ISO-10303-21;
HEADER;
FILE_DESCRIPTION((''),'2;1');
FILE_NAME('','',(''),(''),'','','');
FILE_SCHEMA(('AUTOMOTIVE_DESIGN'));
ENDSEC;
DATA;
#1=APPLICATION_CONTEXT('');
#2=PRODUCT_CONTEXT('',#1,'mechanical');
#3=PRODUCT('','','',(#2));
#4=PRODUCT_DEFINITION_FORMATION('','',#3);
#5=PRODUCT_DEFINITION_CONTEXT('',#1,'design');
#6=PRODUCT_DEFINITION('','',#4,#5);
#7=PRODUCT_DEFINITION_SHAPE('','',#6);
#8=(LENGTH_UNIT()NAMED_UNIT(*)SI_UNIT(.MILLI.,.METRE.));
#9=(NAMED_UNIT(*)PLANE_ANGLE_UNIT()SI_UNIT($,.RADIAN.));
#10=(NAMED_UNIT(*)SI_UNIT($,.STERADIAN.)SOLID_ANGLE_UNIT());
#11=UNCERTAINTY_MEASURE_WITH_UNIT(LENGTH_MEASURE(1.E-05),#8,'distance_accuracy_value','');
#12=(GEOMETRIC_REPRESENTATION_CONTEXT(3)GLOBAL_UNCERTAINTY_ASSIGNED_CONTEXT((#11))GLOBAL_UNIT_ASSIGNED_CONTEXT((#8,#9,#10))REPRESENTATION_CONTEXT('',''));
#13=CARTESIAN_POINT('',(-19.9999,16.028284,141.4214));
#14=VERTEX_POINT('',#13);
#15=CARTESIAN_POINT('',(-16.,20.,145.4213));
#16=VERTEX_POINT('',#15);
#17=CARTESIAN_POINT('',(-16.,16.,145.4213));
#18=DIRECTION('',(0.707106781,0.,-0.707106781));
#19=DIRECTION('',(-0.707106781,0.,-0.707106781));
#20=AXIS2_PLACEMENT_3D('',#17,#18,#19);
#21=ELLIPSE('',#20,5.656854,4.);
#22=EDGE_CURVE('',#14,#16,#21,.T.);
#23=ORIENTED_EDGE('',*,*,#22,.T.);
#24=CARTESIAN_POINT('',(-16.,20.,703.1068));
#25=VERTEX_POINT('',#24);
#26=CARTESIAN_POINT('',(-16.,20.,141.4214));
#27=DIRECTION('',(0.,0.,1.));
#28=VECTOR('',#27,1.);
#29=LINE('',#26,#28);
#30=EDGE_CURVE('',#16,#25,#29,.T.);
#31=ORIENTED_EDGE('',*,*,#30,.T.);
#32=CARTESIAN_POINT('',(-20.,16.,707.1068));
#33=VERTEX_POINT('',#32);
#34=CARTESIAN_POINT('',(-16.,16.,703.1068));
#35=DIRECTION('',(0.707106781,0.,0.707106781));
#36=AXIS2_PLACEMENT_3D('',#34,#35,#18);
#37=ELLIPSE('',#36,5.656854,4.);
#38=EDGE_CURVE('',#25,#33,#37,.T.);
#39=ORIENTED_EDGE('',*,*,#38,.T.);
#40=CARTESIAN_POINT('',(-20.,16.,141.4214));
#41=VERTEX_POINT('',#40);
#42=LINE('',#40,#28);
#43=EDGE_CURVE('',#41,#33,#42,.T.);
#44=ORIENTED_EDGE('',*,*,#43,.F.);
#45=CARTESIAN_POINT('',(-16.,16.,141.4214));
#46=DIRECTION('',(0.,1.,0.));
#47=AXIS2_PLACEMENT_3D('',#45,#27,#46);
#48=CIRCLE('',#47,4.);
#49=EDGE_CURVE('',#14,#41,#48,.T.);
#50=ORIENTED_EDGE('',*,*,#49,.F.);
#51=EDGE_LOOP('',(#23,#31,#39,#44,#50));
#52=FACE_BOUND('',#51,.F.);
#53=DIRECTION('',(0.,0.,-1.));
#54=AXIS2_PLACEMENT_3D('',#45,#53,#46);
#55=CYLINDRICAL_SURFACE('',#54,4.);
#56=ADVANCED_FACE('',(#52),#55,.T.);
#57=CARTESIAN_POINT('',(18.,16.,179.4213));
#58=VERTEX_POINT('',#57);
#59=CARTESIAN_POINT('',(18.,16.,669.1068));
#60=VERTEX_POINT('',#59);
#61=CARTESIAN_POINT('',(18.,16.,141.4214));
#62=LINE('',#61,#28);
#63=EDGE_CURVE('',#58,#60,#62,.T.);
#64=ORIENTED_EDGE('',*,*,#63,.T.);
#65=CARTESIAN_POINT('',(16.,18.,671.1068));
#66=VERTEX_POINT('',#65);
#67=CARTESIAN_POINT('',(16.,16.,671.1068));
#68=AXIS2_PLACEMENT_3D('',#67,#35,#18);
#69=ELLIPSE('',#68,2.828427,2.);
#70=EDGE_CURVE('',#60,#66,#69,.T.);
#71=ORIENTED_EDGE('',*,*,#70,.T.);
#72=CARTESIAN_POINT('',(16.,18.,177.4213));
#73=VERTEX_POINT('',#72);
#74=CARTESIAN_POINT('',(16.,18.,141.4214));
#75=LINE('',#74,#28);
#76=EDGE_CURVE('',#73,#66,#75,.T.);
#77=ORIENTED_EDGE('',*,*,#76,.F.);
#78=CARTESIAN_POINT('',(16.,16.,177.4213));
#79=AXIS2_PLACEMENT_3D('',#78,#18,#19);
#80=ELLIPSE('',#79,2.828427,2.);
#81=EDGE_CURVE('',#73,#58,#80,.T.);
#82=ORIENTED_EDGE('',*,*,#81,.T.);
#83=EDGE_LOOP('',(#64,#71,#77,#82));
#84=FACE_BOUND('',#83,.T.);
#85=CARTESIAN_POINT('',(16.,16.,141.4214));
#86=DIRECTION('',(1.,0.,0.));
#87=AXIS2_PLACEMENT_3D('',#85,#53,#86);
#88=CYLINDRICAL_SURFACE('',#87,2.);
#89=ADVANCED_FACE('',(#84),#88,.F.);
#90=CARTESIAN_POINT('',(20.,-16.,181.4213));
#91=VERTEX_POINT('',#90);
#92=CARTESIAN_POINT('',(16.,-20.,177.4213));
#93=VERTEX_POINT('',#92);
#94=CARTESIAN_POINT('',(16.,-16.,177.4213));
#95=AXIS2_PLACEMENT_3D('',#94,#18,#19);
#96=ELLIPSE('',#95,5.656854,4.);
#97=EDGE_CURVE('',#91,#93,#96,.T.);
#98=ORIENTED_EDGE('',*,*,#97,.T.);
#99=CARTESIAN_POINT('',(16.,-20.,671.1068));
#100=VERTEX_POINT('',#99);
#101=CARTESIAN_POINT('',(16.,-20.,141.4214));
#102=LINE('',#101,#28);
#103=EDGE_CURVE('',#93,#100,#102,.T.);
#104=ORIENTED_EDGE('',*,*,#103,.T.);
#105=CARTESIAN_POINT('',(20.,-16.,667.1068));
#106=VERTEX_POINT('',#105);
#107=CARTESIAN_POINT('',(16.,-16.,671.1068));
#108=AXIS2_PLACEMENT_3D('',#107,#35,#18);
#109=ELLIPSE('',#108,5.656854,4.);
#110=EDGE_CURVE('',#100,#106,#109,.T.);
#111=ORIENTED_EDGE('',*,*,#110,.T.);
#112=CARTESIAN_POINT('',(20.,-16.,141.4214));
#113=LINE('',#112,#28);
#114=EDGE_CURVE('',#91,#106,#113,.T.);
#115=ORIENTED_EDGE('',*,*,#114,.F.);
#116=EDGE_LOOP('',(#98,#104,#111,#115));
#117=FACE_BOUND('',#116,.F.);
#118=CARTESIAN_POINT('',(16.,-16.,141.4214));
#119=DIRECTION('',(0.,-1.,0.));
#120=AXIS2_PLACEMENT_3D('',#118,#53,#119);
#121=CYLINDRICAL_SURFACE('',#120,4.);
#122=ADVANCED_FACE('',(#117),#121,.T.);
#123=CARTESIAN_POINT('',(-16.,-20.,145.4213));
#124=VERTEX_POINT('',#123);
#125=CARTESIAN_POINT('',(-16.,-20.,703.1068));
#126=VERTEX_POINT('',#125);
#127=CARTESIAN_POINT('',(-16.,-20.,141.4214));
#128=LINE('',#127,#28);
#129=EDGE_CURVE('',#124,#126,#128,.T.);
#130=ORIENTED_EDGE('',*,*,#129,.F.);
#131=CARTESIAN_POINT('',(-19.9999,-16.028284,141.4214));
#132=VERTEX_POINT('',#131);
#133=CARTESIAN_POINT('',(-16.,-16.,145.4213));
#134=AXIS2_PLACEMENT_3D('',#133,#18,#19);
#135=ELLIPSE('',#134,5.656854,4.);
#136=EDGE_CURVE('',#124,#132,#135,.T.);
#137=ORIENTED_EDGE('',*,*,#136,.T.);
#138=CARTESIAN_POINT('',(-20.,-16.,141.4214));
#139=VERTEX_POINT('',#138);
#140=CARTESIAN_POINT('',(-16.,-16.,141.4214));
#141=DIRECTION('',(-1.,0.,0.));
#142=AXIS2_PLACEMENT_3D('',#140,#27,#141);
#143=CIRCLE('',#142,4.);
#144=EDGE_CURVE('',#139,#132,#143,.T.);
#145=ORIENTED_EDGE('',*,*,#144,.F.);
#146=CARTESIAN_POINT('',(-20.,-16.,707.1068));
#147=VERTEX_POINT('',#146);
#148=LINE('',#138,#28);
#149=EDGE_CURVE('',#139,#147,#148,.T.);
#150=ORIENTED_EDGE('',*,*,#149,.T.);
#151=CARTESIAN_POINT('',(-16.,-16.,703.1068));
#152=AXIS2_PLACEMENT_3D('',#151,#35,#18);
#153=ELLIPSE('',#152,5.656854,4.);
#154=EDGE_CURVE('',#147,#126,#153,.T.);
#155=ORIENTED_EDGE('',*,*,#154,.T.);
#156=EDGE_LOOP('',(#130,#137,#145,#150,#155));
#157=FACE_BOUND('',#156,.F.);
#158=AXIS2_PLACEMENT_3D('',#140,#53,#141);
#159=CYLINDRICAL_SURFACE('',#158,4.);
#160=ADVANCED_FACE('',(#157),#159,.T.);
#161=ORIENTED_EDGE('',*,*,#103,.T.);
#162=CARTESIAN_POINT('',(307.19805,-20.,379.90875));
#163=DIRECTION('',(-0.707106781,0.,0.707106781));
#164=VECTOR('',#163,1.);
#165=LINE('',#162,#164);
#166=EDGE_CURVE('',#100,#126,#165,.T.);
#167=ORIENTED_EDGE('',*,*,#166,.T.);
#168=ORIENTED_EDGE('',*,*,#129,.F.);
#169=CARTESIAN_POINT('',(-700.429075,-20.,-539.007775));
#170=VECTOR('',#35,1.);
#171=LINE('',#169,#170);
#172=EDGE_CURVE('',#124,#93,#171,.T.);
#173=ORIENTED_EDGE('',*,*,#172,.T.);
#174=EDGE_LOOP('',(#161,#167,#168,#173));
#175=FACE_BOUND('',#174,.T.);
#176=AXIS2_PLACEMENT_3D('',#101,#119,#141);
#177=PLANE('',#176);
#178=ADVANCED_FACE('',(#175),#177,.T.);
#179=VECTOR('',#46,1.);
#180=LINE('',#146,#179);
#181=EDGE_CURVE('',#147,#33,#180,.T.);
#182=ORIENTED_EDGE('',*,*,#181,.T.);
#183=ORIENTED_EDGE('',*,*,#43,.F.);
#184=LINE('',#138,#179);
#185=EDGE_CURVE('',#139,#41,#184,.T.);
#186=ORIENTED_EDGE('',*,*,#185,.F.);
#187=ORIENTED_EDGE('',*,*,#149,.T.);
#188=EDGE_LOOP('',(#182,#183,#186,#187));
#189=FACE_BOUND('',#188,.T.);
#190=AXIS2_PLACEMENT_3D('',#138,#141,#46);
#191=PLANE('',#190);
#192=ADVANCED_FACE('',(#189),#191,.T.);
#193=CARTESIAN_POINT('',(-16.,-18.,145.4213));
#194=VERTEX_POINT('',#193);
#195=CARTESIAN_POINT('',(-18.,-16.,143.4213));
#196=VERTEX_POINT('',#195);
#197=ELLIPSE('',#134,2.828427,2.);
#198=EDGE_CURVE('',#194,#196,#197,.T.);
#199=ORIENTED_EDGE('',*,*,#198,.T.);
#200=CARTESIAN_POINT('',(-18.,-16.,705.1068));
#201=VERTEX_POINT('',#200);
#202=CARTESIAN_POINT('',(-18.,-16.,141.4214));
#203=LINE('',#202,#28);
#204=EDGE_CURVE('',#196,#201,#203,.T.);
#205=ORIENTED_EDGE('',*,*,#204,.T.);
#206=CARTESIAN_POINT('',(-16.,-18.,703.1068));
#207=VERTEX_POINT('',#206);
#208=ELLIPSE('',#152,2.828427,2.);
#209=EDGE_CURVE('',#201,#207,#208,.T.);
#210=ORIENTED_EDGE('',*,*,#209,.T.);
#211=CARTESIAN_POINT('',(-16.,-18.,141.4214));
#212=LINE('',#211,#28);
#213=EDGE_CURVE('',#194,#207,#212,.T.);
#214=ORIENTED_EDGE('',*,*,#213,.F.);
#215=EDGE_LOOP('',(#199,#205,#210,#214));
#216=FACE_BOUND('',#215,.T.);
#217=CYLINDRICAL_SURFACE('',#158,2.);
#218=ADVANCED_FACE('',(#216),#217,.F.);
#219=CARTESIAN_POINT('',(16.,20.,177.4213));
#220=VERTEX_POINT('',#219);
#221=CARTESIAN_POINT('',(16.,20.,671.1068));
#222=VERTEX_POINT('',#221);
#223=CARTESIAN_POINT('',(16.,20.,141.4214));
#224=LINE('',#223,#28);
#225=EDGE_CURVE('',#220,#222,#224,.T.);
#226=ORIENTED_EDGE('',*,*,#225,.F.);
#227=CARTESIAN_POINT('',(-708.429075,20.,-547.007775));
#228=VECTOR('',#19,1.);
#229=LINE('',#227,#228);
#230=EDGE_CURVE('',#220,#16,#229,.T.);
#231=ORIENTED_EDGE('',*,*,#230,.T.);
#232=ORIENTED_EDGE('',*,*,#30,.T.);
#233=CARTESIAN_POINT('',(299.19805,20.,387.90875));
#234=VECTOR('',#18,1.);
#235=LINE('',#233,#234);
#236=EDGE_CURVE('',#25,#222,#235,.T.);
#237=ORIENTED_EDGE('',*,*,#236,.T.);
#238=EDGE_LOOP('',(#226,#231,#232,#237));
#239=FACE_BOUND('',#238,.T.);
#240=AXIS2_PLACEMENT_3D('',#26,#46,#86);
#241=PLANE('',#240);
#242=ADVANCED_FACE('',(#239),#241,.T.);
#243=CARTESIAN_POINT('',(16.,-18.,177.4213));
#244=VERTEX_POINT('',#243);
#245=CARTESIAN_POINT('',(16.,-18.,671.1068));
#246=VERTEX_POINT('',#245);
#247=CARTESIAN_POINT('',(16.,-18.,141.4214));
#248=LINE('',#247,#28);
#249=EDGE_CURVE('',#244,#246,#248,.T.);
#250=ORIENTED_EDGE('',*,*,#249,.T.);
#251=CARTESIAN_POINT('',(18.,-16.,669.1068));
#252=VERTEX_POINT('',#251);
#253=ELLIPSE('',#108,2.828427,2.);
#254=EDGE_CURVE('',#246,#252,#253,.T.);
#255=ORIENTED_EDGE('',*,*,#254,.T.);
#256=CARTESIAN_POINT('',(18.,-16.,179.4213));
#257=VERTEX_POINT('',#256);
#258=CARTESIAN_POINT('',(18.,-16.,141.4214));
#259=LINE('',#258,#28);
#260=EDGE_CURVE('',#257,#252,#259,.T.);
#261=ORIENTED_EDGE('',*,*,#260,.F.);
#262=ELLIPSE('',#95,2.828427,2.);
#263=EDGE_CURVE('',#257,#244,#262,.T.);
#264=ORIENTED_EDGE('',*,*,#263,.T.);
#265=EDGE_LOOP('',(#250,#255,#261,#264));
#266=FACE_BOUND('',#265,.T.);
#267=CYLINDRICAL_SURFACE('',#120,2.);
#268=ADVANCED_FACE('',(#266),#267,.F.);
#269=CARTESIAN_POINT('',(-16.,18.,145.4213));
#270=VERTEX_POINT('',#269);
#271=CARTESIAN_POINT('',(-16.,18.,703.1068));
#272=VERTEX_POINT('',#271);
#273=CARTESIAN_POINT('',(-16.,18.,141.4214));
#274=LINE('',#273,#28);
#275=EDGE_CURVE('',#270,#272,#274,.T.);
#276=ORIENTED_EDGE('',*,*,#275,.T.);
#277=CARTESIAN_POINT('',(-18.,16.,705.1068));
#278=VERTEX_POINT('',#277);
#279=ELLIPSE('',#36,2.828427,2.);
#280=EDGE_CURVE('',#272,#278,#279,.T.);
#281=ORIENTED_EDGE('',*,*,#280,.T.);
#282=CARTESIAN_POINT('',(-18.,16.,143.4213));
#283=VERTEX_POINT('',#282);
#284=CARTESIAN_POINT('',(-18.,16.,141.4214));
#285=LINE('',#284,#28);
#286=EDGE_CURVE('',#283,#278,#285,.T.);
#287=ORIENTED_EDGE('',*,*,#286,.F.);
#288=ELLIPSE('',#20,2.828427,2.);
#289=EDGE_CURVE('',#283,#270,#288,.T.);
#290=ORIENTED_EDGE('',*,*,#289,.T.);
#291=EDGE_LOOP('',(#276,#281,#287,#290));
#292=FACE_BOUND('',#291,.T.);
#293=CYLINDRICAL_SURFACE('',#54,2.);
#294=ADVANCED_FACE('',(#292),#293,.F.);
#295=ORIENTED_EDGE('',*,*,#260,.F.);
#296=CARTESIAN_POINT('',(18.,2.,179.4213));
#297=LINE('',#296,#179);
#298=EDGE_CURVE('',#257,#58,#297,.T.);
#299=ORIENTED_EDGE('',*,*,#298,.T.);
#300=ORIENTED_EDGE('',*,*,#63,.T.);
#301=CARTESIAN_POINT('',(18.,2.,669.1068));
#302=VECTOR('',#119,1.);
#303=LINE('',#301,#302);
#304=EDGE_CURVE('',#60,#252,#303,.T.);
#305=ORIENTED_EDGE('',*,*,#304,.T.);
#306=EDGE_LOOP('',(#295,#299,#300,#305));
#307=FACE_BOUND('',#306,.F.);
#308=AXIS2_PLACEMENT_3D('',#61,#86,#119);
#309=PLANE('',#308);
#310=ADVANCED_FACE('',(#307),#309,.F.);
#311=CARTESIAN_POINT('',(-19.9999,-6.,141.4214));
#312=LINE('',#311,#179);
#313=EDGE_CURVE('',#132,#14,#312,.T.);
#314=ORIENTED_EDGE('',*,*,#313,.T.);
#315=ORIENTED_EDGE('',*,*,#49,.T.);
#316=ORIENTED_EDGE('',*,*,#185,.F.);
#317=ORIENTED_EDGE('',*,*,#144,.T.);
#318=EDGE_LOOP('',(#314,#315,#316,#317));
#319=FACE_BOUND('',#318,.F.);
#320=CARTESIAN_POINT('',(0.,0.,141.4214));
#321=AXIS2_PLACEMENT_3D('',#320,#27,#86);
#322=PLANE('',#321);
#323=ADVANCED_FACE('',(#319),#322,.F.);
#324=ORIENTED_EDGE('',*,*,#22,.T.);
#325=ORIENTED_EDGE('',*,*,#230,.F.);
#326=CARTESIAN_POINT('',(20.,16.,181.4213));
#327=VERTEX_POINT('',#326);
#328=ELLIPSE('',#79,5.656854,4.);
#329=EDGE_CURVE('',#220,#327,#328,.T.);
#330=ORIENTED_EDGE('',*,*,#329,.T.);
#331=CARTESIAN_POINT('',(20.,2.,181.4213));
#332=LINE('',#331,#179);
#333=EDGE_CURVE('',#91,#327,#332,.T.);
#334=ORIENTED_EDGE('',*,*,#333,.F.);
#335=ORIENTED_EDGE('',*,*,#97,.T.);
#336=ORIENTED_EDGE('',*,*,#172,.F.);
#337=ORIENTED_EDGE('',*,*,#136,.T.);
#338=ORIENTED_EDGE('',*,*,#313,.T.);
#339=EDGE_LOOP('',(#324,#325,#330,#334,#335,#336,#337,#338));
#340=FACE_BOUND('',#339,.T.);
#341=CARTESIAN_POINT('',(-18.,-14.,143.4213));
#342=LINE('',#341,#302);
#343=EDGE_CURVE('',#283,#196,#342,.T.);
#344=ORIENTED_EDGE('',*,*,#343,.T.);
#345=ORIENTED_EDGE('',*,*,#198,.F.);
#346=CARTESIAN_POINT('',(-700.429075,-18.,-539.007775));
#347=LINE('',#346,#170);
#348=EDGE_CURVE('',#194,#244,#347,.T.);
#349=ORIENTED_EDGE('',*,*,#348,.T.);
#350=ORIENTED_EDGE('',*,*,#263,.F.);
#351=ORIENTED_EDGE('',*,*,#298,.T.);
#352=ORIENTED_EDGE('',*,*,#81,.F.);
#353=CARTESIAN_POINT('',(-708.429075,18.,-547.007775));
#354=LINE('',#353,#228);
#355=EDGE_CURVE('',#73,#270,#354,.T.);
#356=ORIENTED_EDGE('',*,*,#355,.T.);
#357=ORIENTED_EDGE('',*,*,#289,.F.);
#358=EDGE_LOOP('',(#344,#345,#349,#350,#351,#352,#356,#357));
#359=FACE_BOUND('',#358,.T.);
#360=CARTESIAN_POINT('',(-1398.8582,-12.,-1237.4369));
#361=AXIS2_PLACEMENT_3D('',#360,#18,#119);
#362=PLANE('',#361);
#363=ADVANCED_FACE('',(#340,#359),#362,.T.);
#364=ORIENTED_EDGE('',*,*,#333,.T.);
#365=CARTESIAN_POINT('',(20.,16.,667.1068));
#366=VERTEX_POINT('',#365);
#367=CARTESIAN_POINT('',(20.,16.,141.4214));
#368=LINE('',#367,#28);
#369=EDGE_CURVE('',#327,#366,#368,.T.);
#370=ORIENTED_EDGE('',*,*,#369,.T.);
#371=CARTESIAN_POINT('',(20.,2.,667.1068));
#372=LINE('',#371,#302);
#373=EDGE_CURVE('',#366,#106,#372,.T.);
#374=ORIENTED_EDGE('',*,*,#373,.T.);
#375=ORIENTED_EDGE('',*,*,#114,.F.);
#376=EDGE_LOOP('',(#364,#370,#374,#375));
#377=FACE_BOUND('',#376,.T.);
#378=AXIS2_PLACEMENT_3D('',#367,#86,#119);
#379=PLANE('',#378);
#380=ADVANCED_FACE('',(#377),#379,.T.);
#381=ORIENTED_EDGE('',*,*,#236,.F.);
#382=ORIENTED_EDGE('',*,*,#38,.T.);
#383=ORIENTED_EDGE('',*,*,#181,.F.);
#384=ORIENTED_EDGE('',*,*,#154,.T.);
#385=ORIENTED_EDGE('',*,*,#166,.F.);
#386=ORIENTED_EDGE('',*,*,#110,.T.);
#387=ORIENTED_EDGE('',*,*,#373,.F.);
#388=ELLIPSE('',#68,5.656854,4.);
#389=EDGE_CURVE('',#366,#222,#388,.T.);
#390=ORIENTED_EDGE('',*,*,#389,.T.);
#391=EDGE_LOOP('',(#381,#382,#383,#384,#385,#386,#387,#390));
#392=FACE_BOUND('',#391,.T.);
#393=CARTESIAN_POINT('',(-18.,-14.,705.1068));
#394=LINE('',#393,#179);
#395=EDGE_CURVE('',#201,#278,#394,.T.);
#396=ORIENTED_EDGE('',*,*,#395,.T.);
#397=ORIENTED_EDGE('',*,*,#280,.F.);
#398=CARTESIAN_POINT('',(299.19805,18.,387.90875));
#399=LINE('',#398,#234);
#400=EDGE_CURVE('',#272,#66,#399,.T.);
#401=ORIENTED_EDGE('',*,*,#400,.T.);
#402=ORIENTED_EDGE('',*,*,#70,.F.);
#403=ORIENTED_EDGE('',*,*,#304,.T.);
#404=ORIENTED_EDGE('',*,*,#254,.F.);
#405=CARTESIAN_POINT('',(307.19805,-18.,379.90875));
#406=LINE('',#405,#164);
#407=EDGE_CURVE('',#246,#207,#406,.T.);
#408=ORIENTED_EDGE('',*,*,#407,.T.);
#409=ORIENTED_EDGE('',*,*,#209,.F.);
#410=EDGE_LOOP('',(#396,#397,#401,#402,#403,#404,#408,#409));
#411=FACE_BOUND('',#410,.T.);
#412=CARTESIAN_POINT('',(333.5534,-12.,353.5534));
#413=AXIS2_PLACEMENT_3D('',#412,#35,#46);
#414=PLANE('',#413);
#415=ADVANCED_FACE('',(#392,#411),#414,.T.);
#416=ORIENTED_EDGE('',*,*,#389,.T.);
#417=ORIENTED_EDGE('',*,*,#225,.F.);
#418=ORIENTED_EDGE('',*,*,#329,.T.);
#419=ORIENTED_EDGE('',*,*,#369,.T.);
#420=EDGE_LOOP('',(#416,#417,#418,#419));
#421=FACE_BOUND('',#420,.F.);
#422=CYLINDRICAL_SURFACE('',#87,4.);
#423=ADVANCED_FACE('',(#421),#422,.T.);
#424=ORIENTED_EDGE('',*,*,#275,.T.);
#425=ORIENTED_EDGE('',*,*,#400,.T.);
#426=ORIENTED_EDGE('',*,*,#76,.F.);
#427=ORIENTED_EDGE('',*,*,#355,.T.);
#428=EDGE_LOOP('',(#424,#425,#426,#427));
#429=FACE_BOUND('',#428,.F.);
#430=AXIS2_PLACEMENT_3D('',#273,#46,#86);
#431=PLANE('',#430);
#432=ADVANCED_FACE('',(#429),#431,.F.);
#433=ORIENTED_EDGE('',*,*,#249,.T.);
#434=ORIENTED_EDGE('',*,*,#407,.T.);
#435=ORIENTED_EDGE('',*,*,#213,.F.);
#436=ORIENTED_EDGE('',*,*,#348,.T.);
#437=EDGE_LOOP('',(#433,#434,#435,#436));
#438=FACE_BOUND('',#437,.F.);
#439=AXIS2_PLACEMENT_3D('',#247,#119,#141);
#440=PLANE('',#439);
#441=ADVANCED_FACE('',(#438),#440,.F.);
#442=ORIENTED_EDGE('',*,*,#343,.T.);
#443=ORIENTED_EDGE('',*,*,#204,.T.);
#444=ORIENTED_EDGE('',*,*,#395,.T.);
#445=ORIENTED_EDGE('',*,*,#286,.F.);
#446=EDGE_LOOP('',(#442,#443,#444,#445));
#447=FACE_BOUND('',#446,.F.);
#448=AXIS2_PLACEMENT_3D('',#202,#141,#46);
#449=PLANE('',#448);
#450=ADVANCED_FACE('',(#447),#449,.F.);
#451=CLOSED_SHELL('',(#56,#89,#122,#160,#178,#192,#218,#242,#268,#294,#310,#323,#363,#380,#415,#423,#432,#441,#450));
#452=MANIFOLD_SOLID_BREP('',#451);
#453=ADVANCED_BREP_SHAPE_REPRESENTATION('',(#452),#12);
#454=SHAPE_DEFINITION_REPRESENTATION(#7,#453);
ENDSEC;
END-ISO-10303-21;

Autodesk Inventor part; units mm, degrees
ref_plane "Start Plane" through (0, 0, 141.4214) normal (0, 0, 1) x (1, 0, 0)
ref_plane "End Plane" through (0, 0, 707.1068) normal (0, 0, 1) x (1, 0, 0)
sketch "Sketch" plane through (0, 0, 0) normal (0, 0, 1) x (1, 0, 0)
  line L0 (-20, -16) -> (-20, 16)
  line L1 (-16, 20) -> (16, 20)
  line L2 (20, 16) -> (20, -16)
  line L3 (16, -20) -> (-16, -20)
  arc A0 (-20, -16) -> (-16, -20) centre (-16, -16) ccw
  arc A1 (20, 16) -> (16, 20) centre (16, 16) ccw
  arc A2 (-16, 20) -> (-20, 16) centre (-16, 16) ccw
  arc A3 (16, -20) -> (20, -16) centre (16, -16) ccw
  arc A4 (-16, 18) -> (-18, 16) centre (-16, 16) ccw
  line L4 (-16, 18) -> (16, 18)
  arc A5 (18, 16) -> (16, 18) centre (16, 16) ccw
  line L5 (18, 16) -> (18, -16)
  arc A6 (16, -18) -> (18, -16) centre (16, -16) ccw
  line L6 (16, -18) -> (-16, -18)
  arc A7 (-18, -16) -> (-16, -18) centre (-16, -16) ccw
  line L7 (-18, -16) -> (-18, 16)
  line L8 (0, 29.1598) -> (0, -29.1598) construction
  line L9 (-29.1598, 0) -> (29.1598, 0) construction
  dimension "d7" = 4
  dimension "d9" = 40
  dimension "d11" = 40
  dimension "d12" = 2
  dimension "d15" = 20
  dimension "d16" = 20
extrude "Body" add sketch "Sketch" along normal up to surface (565.6854 mm away) from surface at 141.4214
sketch "Sketch3" plane through (0, 0, 0) normal (0, 0, 1) x (1, 0, 0)
  line L0 (0, 0) -> (10, 0)
ref_plane "Work Plane3" through (0, 0, 0) normal (0, -1, 0) x (1, 0, 0)
ref_plane "Work Plane4" through (-1398.8582, -12, -1237.4369) normal (0.7071, 0, -0.7071) x (-0.7071, 0, -0.7071)
split "Split1" plane through (-1398.8582, -12, -1237.4369) removes the side toward (0.7071, 0, -0.7071)
ref_plane "Work Plane5" through (333.5534, -12, 353.5534) normal (0.7071, 0, 0.7071) x (0.7071, 0, -0.7071)
split "Split2" plane through (333.5534, -12, 353.5534) removes the side toward (0.7071, 0, 0.7071)
sketch "Sketch4" plane through (0, 0, 0) normal (0, -1, 0) x (1, 0, 0)
  line L0 (-2, 141.4214) -> (12, 141.4214) projected
  line L1 (-2, 707.1068) -> (12, 707.1068) projected
  dimension "d18" = 565.6854
equation "\"d7\" = G_IR"
equation "\"d9\" = G_W"
equation "\"d11\" = G_H"
equation "\"d12\" = G_T"
equation "\"d15\" = 0.5 * d9"
equation "\"d16\" = 0.5 * d11"
equation "\"d3\" = G_L"
equation "\"G_W\" = 40"
equation "\"G_H\" = 40"
equation "\"G_T\" = 2"
equation "\"G_IR\" = 4"
equation "\"G_L\" = d18"
equation "\"G_OFFSET_START\" = -141.42136"
equation "\"G_OFFSET_END\" = -141.42136"
equation "\"d13\" = -G_OFFSET_START"
equation "\"d14\" = G_OFFSET_END + B_L"
equation "\"B_L\" = 848.52814"
properties part number "ISO 10799-2 - 40x40x2 - 565.69" material "Steel, Mild"
